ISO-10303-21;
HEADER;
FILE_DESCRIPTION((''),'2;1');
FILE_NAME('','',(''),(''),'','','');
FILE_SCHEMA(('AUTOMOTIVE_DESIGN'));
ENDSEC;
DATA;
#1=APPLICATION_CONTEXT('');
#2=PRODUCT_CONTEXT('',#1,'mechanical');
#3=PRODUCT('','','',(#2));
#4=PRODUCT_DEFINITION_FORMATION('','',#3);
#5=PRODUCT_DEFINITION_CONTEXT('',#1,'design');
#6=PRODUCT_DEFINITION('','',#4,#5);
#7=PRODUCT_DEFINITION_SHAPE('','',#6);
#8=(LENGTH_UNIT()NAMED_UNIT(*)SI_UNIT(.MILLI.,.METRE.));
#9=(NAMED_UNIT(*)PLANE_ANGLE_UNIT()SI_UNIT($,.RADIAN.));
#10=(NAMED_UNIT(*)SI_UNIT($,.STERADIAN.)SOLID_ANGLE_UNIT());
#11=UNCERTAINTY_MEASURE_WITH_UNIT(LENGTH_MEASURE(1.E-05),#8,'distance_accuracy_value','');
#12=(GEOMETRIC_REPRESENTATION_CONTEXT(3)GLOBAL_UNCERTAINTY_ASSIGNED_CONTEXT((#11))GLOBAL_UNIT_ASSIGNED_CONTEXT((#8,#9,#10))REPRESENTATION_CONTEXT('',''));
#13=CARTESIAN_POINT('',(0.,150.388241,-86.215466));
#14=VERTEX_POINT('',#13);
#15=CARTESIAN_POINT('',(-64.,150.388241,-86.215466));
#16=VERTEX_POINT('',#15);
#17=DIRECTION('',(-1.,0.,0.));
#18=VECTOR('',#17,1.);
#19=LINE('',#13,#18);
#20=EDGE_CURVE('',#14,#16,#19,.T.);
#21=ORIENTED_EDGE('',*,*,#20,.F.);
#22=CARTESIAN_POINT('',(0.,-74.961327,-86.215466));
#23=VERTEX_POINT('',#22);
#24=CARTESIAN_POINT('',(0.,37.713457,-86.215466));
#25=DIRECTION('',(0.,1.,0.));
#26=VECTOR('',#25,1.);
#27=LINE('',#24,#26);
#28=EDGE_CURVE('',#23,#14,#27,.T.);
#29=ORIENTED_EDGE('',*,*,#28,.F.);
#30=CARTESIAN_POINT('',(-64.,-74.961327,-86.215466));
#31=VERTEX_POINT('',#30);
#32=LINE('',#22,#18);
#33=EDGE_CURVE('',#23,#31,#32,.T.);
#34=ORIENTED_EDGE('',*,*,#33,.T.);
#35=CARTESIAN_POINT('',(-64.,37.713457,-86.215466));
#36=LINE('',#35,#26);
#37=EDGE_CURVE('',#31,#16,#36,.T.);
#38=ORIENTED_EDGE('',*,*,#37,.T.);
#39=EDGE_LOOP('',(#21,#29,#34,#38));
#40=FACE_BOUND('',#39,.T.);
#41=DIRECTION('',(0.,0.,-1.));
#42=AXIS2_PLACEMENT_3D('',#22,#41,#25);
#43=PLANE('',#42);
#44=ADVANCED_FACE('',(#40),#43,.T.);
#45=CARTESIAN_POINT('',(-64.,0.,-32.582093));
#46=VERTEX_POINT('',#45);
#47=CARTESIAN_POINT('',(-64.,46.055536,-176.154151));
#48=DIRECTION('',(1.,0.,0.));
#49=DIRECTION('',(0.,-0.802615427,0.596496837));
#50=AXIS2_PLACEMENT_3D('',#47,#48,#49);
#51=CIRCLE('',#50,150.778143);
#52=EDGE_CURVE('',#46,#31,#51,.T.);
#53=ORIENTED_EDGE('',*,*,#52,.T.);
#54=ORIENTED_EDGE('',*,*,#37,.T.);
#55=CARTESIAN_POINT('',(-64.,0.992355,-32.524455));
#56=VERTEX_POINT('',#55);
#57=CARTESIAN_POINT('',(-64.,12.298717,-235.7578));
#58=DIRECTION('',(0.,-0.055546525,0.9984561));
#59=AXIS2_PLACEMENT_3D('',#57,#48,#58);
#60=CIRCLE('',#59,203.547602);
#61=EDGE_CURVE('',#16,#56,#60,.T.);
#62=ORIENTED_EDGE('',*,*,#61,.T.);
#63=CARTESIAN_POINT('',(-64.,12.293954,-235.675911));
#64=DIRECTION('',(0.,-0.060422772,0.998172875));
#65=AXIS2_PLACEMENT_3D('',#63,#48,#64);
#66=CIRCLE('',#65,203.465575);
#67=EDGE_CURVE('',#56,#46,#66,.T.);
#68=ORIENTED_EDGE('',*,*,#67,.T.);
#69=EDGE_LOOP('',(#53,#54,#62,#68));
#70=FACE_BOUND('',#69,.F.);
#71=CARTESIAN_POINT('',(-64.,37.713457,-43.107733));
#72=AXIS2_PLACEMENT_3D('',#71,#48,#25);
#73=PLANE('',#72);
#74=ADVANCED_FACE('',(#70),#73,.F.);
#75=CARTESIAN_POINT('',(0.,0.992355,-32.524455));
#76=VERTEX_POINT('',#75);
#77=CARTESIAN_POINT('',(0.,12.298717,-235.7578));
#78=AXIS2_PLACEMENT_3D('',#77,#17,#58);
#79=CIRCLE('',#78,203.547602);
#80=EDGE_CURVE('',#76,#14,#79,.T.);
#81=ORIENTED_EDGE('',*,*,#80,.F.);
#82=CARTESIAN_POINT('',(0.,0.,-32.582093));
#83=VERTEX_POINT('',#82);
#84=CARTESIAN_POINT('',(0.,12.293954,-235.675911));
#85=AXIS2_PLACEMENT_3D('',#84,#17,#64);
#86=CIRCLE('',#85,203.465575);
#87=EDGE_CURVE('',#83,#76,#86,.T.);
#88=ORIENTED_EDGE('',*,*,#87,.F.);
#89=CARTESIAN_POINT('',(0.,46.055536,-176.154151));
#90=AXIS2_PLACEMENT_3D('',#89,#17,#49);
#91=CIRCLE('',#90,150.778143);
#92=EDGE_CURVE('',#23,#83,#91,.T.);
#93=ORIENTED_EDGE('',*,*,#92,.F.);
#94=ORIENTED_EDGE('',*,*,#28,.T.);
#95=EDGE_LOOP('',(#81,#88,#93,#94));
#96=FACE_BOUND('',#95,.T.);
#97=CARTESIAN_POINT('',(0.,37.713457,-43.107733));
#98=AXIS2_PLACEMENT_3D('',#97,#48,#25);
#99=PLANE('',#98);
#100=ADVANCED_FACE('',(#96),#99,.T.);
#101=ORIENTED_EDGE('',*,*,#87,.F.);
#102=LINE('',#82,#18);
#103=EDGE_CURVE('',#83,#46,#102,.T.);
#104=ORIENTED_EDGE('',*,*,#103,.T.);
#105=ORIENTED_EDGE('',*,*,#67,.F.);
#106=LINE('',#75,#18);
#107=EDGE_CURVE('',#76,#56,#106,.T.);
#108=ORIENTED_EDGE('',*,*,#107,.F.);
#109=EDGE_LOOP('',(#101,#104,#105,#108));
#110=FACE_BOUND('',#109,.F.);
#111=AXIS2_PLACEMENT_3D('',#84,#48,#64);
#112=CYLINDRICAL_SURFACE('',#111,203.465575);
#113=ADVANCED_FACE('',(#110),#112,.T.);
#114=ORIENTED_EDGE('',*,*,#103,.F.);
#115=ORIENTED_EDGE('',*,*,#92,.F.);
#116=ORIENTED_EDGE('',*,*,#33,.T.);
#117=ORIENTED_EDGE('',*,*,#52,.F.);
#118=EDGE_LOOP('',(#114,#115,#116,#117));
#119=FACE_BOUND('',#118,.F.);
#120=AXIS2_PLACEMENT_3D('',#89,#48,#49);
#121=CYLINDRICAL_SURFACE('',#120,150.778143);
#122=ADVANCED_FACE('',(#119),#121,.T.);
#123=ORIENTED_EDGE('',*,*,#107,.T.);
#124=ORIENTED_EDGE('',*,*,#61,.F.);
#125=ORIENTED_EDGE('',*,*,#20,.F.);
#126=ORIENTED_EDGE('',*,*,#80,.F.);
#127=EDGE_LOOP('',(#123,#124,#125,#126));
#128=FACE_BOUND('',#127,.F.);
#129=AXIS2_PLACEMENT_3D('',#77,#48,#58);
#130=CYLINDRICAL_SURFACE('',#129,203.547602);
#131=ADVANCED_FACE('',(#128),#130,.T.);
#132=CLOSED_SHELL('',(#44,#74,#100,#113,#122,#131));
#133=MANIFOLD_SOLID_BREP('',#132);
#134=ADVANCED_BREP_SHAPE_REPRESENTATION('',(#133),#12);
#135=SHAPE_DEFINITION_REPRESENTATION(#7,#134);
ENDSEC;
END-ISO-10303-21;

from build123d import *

# Parameters (mm, degrees)
F0_W     = 225.349568
F0_H     = 86.215466
F1_DEPTH = 64
F3_DEPTH = 64.001


with BuildPart() as f1:
    # F0 (on Right) → F1 (new body)
    with BuildSketch(Plane.YZ):
        with Locations((37.713457, -43.107733)):
            Rectangle(F0_W, F0_H)
    extrude(amount=-F1_DEPTH)

    # F2 (on face) → F3 (cut, through all)
    with BuildSketch(Plane.YZ):
        with BuildLine():
            ThreePointArc((0, 0), (-0.934769, -16.305887), (0.992355, -32.524455))
            ThreePointArc((0.992355, -32.524455), (81.140374, -44.205059), (150.388241, -86.215466))
            Line((150.388241, -86.215466), (150.388241, 0))
            Line((150.388241, 0), (0, 0))
        make_face()
        with BuildLine():
            ThreePointArc((-74.961327, -86.215466), (-41.67947, -53.530267), (0, -32.582093))
            ThreePointArc((0, -32.582093), (0.496142, -32.552668), (0.992355, -32.524455))
            ThreePointArc((0.992355, -32.524455), (-0.934769, -16.305887), (0, 0))
            Line((0, 0), (-74.961327, 0))
            Line((-74.961327, 0), (-74.961327, -86.215466))
        make_face()
    extrude(amount=-F3_DEPTH, mode=Mode.SUBTRACT)


solid = f1.part
